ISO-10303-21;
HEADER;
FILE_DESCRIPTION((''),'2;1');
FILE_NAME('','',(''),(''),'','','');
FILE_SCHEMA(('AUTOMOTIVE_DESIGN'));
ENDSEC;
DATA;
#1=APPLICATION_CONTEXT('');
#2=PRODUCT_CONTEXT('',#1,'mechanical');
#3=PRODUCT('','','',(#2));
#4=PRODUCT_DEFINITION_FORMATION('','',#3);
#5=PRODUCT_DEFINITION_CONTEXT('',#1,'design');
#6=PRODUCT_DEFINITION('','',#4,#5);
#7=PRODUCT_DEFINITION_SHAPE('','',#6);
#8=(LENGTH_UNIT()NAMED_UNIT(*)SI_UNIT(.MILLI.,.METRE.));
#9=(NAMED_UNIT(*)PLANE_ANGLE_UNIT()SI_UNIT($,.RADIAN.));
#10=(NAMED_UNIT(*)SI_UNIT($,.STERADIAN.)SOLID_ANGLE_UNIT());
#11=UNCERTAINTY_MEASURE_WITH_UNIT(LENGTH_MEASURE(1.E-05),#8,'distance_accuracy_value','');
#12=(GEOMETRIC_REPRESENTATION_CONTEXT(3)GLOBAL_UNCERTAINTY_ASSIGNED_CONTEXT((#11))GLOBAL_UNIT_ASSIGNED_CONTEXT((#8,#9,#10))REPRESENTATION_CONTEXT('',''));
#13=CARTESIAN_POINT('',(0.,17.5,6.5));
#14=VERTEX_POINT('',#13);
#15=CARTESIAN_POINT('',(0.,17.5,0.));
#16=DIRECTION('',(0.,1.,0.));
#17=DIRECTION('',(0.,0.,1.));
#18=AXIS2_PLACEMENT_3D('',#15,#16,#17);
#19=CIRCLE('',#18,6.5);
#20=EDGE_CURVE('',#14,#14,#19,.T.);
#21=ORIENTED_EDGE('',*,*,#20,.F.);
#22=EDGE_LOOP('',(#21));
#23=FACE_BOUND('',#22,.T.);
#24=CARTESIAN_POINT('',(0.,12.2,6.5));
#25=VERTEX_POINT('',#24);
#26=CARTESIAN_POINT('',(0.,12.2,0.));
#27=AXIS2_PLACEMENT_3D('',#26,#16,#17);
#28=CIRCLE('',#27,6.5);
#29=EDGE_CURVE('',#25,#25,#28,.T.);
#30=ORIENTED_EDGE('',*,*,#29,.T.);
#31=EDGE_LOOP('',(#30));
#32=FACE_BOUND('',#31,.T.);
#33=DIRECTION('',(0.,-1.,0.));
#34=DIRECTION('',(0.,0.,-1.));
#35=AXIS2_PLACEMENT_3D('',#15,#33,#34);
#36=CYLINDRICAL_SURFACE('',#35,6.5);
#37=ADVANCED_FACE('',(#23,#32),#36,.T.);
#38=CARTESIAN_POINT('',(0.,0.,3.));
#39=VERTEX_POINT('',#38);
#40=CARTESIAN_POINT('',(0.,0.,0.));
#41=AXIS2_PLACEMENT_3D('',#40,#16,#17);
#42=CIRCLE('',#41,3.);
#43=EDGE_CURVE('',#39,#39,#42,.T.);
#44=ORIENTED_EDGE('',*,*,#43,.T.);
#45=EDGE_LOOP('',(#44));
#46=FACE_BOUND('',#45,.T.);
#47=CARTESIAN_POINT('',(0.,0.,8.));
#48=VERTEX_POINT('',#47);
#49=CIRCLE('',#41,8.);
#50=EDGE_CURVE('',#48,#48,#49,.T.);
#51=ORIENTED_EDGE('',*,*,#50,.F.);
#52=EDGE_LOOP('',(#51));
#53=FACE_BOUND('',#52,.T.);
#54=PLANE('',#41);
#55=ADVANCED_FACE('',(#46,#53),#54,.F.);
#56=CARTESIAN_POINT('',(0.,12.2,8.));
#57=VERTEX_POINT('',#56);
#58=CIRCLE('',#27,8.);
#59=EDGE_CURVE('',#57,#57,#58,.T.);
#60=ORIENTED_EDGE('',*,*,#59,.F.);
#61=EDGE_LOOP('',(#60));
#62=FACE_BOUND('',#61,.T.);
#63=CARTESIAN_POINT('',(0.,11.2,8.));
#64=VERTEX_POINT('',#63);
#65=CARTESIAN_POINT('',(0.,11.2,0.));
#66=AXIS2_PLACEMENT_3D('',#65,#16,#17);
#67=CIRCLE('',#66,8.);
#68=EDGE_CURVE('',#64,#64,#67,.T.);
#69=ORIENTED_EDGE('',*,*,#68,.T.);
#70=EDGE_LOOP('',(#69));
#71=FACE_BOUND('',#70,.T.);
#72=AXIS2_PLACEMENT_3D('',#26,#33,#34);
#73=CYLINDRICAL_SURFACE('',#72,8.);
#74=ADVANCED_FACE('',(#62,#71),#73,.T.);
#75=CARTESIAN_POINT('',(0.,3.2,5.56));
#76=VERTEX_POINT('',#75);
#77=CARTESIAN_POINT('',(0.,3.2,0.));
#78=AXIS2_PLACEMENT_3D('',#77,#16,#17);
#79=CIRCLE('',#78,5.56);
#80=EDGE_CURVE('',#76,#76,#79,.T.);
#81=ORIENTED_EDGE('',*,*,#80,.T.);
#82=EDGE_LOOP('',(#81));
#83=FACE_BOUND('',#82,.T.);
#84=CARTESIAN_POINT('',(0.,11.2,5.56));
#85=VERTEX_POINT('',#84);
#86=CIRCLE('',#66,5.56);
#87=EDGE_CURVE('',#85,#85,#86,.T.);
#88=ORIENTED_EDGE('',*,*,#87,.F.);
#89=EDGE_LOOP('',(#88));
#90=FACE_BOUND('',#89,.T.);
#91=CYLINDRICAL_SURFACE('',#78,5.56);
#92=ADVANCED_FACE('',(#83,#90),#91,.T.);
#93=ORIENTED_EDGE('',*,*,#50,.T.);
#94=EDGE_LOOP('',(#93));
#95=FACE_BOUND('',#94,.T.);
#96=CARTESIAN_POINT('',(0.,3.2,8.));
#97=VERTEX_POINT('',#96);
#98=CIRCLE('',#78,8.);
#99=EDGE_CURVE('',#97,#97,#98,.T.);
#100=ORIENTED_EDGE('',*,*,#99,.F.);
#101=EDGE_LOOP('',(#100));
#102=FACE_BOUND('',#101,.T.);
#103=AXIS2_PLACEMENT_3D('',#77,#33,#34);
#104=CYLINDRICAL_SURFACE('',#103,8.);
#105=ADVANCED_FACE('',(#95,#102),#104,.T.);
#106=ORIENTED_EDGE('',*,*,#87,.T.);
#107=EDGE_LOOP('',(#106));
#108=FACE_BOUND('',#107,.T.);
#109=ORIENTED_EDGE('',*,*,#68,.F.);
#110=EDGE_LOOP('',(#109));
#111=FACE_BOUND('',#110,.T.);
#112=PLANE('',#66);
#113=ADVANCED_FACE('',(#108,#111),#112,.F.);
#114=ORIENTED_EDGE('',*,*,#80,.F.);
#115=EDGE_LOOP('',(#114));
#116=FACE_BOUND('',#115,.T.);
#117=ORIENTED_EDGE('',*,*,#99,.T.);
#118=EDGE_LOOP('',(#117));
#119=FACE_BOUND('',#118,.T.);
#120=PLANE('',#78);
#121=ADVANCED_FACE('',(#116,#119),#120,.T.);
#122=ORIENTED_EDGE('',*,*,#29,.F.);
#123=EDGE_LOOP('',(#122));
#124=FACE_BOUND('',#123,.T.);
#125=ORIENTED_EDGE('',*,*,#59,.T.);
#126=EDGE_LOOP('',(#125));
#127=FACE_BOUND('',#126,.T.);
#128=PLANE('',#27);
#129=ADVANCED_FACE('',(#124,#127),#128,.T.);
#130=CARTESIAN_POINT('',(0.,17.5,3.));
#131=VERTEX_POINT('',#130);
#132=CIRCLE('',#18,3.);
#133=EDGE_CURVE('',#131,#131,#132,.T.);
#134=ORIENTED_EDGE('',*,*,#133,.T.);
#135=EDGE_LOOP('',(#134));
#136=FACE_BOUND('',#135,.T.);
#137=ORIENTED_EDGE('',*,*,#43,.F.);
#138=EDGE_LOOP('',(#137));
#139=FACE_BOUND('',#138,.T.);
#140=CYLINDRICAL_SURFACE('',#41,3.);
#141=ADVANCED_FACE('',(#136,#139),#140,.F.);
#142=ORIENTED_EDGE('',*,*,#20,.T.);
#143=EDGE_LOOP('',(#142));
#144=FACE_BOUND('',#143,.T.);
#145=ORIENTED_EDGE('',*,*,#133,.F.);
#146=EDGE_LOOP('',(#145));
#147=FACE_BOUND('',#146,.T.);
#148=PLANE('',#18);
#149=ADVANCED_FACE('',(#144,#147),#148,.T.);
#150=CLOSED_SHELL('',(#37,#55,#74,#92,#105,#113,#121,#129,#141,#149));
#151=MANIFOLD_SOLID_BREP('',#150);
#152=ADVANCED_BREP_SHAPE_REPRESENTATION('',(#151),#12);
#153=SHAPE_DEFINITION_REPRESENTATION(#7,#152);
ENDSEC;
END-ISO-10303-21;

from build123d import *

# Parameters (mm, degrees)
SKETCH1_R               = 6.5
BOSS_EXTRUDE1_DEPTH     = 17.5
SKETCH2_R               = 8.62249149
SKETCH2_R_2             = 5.56
CUT_EXTRUDE1_DEPTH      = 8
CUT_EXTRUDE2_DEPTH      = 20.767397401
CUT_EXTRUDE2_DEPTH_BACK = 20.767397401
SKETCH4_R               = 3
SKETCH5_R               = 8
SKETCH5_R_2             = 3.869185068
BOSS_EXTRUDE2_DEPTH     = 1
SKETCH6_R               = 8
SKETCH6_R_2             = 3
BOSS_EXTRUDE3_DEPTH     = 3.2


with BuildPart() as part:
    # Sketch1 → Boss-Extrude1 (new body)
    with BuildSketch(Plane(origin=(0, 0, 0), x_dir=(1, 0, 0), z_dir=(0, 1, 0))):
        with Locations(Location((0, 0, 0), (0, 0, 270))):
            Circle(SKETCH1_R)
    extrude(amount=BOSS_EXTRUDE1_DEPTH)

    # Sketch2 → Cut-Extrude1 (cut)
    with BuildSketch(Plane(origin=(0, 11.2, 0), x_dir=(1, 0, 0), z_dir=(0, 1, 0))):
        Circle(SKETCH2_R)
        with Locations(Location((0, 0, 0), (0, 0, 270))):
            Circle(SKETCH2_R_2, mode=Mode.SUBTRACT)
    extrude(amount=-CUT_EXTRUDE1_DEPTH, mode=Mode.SUBTRACT)

    # Sketch4 → Cut-Extrude2 (cut, two sides: drawn at the far end of the back side and taken through both)
    with BuildSketch(Plane(origin=(0, 17.5, 0), x_dir=(1, 0, 0), z_dir=(0, 1, 0)).offset(-CUT_EXTRUDE2_DEPTH_BACK)):
        with Locations(Location((0, 0, 0), (0, 0, 270))):
            Circle(SKETCH4_R)
    extrude(amount=CUT_EXTRUDE2_DEPTH + CUT_EXTRUDE2_DEPTH_BACK, mode=Mode.SUBTRACT)

    # Sketch5 → Boss-Extrude2 (add)
    with BuildSketch(Plane(origin=(0, 11.2, 0), x_dir=(1, 0, 0), z_dir=(0, 1, 0))):
        with Locations(Location((0, 0, 0), (0, 0, 270))):
            Circle(SKETCH5_R)
        Circle(SKETCH5_R_2, mode=Mode.SUBTRACT)
    extrude(amount=BOSS_EXTRUDE2_DEPTH)

    # Sketch6 → Boss-Extrude3 (add)
    with BuildSketch(Plane(origin=(0, 0, 0), x_dir=(1, 0, 0), z_dir=(0, 1, 0))):
        with Locations(Location((0, 0, 0), (0, 0, 270))):
            Circle(SKETCH6_R)
        with Locations(Location((0, 0, 0), (0, 0, 270))):
            Circle(SKETCH6_R_2, mode=Mode.SUBTRACT)
    extrude(amount=BOSS_EXTRUDE3_DEPTH)


solid = part.part
